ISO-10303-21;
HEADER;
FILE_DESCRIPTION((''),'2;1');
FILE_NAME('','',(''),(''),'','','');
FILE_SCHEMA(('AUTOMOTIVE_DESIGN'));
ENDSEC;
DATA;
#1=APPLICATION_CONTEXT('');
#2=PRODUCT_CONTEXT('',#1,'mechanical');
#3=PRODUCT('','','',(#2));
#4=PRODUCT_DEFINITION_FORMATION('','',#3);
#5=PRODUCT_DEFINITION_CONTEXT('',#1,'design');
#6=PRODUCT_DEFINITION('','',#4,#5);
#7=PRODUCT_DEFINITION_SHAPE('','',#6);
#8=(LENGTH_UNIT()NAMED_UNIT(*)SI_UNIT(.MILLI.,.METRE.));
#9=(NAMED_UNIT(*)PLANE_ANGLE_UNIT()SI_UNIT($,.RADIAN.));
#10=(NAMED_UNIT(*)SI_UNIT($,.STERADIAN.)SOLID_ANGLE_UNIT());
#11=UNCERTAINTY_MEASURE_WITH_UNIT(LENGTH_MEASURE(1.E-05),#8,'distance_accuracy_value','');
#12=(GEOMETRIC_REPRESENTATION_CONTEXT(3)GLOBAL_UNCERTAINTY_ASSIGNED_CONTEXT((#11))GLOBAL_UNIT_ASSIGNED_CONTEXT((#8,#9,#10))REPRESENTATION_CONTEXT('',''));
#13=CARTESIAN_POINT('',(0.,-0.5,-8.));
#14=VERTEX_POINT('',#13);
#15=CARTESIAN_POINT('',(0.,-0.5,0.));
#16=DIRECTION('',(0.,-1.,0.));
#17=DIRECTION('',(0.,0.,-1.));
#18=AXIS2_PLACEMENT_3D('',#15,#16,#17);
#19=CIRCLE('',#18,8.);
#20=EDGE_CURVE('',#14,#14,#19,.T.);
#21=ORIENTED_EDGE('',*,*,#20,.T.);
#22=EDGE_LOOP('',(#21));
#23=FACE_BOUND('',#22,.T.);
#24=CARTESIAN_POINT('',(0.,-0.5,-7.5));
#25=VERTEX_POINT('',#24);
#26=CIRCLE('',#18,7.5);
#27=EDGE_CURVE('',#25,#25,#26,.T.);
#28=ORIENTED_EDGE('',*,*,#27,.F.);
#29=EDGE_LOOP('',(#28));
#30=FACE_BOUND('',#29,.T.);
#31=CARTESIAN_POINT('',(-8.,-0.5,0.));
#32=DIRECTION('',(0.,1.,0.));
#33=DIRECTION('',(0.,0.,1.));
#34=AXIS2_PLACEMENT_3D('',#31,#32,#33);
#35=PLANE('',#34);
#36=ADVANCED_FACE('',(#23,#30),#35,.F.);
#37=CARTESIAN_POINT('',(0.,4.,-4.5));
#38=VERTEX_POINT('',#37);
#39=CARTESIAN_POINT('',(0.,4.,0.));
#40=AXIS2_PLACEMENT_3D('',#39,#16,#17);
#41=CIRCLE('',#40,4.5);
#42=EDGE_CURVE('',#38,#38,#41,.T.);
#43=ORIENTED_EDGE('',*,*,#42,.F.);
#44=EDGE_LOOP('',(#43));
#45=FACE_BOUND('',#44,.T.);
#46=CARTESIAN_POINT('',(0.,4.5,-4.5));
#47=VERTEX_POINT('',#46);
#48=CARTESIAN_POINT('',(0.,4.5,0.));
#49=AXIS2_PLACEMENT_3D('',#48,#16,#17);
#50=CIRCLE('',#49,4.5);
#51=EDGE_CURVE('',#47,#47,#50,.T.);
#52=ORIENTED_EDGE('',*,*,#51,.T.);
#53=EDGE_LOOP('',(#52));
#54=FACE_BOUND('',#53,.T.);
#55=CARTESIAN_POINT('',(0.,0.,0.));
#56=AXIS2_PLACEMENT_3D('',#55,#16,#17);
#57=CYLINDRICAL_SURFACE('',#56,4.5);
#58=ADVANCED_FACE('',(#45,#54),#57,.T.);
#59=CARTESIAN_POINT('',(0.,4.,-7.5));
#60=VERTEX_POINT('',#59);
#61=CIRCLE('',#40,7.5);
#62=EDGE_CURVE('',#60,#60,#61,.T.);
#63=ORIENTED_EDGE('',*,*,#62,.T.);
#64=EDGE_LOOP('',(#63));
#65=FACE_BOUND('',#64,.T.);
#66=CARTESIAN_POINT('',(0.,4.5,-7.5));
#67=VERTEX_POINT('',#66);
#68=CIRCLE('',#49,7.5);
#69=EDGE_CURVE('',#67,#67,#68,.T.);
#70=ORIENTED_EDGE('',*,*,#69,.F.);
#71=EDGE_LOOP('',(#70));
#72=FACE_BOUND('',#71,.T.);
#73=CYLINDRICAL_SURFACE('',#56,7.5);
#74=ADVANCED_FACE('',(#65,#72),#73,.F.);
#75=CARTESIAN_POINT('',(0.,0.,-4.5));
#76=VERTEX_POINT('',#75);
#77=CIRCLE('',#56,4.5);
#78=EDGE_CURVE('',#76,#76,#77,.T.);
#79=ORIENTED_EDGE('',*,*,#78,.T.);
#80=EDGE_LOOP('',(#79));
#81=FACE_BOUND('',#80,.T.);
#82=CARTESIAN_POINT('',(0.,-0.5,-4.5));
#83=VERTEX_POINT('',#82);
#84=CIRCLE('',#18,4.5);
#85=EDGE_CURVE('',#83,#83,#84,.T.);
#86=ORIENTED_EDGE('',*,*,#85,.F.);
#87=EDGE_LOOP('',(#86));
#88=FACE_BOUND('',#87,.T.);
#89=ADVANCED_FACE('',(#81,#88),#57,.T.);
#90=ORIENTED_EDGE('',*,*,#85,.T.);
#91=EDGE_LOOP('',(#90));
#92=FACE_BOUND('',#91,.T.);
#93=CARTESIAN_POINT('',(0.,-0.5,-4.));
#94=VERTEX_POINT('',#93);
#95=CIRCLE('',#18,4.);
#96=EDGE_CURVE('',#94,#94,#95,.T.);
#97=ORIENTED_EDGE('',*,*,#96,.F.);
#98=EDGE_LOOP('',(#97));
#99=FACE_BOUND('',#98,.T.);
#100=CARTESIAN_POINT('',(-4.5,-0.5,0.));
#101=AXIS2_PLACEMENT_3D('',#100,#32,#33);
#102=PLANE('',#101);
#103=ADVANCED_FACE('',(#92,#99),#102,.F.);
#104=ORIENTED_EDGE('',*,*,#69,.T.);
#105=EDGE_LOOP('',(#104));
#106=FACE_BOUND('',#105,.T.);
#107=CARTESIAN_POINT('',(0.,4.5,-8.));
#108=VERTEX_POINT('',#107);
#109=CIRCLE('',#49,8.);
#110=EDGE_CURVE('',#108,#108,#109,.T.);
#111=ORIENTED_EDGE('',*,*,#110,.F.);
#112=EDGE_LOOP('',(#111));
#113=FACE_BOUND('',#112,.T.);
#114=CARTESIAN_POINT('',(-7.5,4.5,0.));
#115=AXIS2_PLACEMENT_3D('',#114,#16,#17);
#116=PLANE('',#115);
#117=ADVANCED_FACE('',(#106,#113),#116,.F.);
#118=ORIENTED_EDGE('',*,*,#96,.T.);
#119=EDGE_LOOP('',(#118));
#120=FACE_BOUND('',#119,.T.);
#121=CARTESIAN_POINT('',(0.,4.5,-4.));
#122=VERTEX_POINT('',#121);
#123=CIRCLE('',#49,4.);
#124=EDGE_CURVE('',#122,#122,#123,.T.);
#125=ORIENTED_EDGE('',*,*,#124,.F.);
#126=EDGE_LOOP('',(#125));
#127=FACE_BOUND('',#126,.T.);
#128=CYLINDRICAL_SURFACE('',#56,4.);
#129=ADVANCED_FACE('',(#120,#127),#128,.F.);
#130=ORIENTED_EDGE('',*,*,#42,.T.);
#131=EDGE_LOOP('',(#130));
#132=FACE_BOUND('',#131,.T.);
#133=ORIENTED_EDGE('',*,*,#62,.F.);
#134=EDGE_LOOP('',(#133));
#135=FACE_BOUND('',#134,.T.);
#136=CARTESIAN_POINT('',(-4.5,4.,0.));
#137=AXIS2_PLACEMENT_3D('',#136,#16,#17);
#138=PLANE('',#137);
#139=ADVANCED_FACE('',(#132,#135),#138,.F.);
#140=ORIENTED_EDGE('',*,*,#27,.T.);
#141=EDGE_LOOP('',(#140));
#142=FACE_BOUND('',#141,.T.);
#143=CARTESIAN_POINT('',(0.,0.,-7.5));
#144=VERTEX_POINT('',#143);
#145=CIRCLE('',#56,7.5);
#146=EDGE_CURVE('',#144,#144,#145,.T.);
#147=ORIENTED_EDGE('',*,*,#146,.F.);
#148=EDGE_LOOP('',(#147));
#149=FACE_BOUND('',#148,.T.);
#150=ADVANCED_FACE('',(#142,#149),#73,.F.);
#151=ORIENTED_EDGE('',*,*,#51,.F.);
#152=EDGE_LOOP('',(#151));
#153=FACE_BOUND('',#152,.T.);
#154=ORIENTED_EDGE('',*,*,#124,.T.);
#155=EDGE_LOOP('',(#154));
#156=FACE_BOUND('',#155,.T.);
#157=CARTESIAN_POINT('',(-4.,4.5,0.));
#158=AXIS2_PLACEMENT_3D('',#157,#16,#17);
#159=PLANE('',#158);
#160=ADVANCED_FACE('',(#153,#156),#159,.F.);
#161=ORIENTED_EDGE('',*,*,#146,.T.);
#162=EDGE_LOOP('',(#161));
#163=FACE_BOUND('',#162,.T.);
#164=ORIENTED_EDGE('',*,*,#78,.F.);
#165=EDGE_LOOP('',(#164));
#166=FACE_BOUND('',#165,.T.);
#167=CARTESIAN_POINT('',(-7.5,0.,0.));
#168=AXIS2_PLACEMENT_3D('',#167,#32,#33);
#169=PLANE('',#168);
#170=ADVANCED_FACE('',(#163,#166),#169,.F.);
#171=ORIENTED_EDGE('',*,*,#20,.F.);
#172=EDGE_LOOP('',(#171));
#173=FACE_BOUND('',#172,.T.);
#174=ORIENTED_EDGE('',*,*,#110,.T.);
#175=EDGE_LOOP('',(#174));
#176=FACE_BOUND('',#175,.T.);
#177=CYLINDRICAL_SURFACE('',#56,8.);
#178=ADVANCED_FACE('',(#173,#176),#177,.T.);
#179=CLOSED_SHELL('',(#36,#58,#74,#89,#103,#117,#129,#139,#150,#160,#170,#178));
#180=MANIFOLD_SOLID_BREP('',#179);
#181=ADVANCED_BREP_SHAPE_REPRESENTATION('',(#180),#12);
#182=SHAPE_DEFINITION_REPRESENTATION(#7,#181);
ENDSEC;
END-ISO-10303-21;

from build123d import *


with BuildPart() as part:
    # Sketch1 → Revolve1 (revolve)
    with BuildSketch(Plane.XY):
        Polygon((-4, 4.5), (-4.5, 4.5), (-4.5, 4), (-7.5, 4), (-7.5, 4.5), (-8, 4.5), (-8, -0.5), (-7.5, -0.5), (-7.5, 0), (-4.5, 0), (-4.5, -0.5), (-4, -0.5), align=None)
    revolve(axis=Axis((0, 0, 0), (0, 1, 0)))


solid = part.part
